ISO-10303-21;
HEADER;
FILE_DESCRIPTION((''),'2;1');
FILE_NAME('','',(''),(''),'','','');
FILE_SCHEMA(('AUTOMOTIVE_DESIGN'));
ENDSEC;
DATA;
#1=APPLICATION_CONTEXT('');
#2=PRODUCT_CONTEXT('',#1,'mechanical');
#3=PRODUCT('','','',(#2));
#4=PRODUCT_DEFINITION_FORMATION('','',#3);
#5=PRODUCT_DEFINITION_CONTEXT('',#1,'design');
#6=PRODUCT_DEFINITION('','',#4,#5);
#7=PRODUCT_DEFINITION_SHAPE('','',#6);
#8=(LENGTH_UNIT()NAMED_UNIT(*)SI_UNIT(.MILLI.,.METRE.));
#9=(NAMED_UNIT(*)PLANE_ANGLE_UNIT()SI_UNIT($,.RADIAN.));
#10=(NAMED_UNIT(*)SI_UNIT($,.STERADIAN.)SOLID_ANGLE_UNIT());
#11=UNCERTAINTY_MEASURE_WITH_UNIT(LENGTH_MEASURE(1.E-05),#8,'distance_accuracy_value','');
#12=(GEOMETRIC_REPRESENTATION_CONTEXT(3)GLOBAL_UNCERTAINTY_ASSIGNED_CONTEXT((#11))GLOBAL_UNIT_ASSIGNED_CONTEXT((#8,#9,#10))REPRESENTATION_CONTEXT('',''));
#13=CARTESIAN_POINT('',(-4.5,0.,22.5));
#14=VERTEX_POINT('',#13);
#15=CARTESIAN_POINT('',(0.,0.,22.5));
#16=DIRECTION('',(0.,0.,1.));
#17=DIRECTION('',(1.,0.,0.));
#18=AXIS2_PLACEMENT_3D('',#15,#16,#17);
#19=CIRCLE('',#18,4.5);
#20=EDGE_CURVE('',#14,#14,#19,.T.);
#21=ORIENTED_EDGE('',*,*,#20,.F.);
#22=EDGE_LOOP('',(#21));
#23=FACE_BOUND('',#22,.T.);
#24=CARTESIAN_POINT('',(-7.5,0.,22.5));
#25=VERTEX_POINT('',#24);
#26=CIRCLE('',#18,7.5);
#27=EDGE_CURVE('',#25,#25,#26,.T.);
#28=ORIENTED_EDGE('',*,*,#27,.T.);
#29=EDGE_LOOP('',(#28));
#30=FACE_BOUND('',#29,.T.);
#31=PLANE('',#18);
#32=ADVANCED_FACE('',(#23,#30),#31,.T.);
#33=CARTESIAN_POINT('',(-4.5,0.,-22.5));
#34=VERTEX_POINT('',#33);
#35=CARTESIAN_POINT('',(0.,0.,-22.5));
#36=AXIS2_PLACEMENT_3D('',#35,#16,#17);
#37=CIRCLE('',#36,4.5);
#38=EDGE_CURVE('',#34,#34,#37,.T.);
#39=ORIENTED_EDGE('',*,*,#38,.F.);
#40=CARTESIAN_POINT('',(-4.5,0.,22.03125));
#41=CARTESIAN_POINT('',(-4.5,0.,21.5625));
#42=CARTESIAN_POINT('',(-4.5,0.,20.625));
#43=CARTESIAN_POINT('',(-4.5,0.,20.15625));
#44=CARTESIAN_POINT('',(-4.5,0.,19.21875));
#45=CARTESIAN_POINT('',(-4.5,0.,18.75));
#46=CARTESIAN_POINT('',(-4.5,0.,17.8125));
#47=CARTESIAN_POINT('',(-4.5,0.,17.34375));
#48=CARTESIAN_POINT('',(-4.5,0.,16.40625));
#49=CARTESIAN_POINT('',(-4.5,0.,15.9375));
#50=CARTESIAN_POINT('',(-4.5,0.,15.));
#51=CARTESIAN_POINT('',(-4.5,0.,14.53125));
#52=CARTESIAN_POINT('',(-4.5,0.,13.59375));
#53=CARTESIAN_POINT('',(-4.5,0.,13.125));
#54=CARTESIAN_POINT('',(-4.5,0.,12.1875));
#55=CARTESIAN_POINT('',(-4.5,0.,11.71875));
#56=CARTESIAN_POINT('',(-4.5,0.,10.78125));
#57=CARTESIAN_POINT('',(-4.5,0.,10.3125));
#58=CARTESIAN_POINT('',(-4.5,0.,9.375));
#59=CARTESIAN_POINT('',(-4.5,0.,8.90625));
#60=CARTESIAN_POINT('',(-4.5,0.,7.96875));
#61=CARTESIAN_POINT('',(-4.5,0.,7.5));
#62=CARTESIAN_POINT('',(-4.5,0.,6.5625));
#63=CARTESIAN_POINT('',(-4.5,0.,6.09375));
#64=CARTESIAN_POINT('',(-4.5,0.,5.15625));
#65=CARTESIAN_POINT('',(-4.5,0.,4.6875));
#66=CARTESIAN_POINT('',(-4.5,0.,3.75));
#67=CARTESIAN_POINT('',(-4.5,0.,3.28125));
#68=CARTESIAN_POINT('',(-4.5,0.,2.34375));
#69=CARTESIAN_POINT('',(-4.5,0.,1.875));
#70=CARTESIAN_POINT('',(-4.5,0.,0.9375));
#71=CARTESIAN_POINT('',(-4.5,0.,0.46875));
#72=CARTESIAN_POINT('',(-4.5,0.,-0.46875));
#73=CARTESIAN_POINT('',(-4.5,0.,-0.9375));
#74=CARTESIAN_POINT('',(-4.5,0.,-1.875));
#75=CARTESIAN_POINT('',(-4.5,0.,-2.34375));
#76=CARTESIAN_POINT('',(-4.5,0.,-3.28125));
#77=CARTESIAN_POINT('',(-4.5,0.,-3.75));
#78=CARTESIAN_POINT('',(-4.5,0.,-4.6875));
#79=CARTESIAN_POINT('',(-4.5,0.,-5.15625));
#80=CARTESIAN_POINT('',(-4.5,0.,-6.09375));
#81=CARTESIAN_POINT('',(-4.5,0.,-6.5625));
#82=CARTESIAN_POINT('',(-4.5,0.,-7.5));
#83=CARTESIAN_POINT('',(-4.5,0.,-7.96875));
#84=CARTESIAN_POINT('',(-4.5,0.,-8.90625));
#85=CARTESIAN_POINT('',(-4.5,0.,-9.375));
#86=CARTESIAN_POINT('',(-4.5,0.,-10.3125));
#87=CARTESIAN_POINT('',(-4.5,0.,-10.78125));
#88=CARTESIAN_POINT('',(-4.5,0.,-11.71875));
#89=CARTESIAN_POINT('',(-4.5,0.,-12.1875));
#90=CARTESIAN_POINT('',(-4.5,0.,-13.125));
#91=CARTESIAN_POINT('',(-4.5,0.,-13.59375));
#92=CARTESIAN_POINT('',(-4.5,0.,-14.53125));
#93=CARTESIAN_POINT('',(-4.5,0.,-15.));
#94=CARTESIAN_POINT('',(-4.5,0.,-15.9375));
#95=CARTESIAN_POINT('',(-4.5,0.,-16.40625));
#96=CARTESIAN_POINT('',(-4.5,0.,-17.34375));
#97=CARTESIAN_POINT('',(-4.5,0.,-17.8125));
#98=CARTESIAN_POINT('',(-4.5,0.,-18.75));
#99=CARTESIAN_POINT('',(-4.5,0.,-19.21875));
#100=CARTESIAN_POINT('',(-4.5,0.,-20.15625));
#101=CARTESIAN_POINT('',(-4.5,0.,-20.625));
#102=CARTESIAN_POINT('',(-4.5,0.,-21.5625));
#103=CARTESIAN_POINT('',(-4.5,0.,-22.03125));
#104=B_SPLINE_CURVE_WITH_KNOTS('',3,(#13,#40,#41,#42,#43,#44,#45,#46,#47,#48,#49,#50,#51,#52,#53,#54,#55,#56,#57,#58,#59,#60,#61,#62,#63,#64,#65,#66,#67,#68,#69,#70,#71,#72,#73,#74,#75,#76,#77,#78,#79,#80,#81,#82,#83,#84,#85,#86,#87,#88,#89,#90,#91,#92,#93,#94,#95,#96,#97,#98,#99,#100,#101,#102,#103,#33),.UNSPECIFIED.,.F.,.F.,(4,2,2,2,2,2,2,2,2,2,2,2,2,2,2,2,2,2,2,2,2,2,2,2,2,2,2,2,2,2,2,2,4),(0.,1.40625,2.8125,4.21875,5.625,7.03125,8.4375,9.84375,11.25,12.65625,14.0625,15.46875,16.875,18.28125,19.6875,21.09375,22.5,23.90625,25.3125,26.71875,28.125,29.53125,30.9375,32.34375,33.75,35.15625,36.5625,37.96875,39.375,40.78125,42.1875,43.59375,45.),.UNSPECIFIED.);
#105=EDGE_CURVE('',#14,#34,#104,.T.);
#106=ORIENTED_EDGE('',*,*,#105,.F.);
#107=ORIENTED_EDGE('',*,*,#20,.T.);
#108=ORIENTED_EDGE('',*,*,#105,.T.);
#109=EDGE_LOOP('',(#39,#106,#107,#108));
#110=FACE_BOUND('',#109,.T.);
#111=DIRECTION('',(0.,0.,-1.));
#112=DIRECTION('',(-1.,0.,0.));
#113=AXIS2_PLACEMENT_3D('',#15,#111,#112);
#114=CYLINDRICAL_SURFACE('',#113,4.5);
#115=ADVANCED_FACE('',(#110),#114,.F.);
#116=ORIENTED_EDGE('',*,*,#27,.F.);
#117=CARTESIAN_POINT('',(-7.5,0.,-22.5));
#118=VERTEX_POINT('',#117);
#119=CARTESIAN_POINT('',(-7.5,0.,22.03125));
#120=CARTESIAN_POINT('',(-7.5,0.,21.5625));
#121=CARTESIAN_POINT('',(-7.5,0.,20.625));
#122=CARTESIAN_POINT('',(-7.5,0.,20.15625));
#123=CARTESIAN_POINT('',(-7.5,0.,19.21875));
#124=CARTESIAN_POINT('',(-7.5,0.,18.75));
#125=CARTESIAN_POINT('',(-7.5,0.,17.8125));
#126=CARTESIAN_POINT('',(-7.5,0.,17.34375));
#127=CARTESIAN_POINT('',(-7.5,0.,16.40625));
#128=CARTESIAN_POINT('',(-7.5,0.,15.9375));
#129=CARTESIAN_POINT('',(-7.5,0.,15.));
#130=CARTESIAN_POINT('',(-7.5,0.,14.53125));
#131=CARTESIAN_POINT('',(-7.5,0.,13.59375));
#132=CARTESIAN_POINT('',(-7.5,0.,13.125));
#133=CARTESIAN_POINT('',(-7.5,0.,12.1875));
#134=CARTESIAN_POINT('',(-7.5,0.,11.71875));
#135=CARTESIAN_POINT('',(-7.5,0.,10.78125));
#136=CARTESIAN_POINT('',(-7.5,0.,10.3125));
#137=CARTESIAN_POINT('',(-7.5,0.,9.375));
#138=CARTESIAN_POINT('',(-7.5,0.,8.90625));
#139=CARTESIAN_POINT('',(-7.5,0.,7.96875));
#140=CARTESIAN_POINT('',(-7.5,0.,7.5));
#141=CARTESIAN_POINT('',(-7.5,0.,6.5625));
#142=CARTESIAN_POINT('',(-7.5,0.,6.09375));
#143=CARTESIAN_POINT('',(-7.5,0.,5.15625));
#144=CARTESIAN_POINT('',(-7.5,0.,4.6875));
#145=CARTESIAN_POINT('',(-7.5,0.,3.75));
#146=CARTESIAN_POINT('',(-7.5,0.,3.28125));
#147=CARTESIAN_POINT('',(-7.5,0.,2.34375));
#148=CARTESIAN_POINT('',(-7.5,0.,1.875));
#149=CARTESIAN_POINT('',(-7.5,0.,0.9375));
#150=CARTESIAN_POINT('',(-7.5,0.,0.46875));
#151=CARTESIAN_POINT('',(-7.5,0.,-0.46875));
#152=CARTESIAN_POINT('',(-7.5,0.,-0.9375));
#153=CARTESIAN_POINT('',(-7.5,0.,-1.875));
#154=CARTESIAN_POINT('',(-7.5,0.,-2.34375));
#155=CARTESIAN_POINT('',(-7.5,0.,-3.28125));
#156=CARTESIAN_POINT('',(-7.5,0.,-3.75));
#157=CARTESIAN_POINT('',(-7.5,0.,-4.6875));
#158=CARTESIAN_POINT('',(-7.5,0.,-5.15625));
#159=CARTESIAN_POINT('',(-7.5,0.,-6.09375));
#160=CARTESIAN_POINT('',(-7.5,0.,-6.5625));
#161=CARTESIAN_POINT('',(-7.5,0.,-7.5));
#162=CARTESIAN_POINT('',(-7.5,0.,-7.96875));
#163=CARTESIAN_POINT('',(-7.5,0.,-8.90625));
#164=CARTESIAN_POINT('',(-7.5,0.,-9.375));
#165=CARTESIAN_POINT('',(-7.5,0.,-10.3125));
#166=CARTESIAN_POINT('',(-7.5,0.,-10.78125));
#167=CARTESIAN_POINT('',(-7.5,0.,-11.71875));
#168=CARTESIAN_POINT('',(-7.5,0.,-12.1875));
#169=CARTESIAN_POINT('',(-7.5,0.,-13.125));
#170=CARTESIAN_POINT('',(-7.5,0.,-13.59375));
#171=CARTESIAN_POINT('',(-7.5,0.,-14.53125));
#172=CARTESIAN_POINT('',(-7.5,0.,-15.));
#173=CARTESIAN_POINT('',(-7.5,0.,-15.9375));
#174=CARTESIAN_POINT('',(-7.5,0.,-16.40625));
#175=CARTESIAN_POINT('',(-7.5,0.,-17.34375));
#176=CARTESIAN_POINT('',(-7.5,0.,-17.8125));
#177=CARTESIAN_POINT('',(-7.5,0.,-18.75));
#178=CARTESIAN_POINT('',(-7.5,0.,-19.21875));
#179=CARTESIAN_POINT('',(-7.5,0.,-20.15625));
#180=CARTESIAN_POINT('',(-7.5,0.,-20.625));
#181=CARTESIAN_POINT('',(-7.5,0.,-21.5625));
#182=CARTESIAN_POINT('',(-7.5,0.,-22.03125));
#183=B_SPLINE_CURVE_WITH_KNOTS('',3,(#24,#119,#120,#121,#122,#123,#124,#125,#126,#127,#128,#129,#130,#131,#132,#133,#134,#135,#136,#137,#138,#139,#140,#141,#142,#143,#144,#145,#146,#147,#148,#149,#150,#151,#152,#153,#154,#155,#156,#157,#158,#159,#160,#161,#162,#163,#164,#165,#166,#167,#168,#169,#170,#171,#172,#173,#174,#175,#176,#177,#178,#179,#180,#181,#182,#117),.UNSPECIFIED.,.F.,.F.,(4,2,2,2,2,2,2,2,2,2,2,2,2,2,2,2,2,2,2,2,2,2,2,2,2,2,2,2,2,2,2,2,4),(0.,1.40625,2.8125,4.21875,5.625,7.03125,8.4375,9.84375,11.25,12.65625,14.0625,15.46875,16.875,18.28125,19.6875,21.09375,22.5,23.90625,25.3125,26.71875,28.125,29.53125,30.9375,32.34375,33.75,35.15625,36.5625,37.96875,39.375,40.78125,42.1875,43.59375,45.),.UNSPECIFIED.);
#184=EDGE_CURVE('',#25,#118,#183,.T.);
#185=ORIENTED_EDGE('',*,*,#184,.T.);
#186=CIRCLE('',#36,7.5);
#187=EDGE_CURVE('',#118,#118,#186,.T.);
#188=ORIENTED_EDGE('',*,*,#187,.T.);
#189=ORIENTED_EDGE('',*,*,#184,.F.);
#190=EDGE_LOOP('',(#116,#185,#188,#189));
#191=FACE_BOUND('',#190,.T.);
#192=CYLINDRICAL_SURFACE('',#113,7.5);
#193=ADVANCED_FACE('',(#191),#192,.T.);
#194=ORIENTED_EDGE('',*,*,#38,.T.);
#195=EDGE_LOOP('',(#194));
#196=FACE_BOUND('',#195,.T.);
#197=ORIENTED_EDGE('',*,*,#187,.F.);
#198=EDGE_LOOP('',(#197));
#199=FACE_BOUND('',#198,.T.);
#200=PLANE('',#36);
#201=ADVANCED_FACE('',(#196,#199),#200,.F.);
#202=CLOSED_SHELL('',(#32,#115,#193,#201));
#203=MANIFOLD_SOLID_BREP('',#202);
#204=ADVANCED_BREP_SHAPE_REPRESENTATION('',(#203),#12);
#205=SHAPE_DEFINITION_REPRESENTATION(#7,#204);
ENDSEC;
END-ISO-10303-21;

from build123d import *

# Parameters (mm, degrees)
SKETCH_1_R      = 7.5
SKETCH_1_R_2    = 4.5
EXTRUDE_1_DEPTH = 22.5


with BuildPart() as part:
    # 草图1 → 凸台-拉伸1 (new, symmetric)
    with BuildSketch(Plane.XY):
        with Locations(Location((0, 0, 0), (0, 0, 180))):
            Circle(SKETCH_1_R)
        with Locations(Location((0, 0, 0), (0, 0, 180))):
            Circle(SKETCH_1_R_2, mode=Mode.SUBTRACT)
    extrude(amount=EXTRUDE_1_DEPTH, both=True)


solid = part.part
